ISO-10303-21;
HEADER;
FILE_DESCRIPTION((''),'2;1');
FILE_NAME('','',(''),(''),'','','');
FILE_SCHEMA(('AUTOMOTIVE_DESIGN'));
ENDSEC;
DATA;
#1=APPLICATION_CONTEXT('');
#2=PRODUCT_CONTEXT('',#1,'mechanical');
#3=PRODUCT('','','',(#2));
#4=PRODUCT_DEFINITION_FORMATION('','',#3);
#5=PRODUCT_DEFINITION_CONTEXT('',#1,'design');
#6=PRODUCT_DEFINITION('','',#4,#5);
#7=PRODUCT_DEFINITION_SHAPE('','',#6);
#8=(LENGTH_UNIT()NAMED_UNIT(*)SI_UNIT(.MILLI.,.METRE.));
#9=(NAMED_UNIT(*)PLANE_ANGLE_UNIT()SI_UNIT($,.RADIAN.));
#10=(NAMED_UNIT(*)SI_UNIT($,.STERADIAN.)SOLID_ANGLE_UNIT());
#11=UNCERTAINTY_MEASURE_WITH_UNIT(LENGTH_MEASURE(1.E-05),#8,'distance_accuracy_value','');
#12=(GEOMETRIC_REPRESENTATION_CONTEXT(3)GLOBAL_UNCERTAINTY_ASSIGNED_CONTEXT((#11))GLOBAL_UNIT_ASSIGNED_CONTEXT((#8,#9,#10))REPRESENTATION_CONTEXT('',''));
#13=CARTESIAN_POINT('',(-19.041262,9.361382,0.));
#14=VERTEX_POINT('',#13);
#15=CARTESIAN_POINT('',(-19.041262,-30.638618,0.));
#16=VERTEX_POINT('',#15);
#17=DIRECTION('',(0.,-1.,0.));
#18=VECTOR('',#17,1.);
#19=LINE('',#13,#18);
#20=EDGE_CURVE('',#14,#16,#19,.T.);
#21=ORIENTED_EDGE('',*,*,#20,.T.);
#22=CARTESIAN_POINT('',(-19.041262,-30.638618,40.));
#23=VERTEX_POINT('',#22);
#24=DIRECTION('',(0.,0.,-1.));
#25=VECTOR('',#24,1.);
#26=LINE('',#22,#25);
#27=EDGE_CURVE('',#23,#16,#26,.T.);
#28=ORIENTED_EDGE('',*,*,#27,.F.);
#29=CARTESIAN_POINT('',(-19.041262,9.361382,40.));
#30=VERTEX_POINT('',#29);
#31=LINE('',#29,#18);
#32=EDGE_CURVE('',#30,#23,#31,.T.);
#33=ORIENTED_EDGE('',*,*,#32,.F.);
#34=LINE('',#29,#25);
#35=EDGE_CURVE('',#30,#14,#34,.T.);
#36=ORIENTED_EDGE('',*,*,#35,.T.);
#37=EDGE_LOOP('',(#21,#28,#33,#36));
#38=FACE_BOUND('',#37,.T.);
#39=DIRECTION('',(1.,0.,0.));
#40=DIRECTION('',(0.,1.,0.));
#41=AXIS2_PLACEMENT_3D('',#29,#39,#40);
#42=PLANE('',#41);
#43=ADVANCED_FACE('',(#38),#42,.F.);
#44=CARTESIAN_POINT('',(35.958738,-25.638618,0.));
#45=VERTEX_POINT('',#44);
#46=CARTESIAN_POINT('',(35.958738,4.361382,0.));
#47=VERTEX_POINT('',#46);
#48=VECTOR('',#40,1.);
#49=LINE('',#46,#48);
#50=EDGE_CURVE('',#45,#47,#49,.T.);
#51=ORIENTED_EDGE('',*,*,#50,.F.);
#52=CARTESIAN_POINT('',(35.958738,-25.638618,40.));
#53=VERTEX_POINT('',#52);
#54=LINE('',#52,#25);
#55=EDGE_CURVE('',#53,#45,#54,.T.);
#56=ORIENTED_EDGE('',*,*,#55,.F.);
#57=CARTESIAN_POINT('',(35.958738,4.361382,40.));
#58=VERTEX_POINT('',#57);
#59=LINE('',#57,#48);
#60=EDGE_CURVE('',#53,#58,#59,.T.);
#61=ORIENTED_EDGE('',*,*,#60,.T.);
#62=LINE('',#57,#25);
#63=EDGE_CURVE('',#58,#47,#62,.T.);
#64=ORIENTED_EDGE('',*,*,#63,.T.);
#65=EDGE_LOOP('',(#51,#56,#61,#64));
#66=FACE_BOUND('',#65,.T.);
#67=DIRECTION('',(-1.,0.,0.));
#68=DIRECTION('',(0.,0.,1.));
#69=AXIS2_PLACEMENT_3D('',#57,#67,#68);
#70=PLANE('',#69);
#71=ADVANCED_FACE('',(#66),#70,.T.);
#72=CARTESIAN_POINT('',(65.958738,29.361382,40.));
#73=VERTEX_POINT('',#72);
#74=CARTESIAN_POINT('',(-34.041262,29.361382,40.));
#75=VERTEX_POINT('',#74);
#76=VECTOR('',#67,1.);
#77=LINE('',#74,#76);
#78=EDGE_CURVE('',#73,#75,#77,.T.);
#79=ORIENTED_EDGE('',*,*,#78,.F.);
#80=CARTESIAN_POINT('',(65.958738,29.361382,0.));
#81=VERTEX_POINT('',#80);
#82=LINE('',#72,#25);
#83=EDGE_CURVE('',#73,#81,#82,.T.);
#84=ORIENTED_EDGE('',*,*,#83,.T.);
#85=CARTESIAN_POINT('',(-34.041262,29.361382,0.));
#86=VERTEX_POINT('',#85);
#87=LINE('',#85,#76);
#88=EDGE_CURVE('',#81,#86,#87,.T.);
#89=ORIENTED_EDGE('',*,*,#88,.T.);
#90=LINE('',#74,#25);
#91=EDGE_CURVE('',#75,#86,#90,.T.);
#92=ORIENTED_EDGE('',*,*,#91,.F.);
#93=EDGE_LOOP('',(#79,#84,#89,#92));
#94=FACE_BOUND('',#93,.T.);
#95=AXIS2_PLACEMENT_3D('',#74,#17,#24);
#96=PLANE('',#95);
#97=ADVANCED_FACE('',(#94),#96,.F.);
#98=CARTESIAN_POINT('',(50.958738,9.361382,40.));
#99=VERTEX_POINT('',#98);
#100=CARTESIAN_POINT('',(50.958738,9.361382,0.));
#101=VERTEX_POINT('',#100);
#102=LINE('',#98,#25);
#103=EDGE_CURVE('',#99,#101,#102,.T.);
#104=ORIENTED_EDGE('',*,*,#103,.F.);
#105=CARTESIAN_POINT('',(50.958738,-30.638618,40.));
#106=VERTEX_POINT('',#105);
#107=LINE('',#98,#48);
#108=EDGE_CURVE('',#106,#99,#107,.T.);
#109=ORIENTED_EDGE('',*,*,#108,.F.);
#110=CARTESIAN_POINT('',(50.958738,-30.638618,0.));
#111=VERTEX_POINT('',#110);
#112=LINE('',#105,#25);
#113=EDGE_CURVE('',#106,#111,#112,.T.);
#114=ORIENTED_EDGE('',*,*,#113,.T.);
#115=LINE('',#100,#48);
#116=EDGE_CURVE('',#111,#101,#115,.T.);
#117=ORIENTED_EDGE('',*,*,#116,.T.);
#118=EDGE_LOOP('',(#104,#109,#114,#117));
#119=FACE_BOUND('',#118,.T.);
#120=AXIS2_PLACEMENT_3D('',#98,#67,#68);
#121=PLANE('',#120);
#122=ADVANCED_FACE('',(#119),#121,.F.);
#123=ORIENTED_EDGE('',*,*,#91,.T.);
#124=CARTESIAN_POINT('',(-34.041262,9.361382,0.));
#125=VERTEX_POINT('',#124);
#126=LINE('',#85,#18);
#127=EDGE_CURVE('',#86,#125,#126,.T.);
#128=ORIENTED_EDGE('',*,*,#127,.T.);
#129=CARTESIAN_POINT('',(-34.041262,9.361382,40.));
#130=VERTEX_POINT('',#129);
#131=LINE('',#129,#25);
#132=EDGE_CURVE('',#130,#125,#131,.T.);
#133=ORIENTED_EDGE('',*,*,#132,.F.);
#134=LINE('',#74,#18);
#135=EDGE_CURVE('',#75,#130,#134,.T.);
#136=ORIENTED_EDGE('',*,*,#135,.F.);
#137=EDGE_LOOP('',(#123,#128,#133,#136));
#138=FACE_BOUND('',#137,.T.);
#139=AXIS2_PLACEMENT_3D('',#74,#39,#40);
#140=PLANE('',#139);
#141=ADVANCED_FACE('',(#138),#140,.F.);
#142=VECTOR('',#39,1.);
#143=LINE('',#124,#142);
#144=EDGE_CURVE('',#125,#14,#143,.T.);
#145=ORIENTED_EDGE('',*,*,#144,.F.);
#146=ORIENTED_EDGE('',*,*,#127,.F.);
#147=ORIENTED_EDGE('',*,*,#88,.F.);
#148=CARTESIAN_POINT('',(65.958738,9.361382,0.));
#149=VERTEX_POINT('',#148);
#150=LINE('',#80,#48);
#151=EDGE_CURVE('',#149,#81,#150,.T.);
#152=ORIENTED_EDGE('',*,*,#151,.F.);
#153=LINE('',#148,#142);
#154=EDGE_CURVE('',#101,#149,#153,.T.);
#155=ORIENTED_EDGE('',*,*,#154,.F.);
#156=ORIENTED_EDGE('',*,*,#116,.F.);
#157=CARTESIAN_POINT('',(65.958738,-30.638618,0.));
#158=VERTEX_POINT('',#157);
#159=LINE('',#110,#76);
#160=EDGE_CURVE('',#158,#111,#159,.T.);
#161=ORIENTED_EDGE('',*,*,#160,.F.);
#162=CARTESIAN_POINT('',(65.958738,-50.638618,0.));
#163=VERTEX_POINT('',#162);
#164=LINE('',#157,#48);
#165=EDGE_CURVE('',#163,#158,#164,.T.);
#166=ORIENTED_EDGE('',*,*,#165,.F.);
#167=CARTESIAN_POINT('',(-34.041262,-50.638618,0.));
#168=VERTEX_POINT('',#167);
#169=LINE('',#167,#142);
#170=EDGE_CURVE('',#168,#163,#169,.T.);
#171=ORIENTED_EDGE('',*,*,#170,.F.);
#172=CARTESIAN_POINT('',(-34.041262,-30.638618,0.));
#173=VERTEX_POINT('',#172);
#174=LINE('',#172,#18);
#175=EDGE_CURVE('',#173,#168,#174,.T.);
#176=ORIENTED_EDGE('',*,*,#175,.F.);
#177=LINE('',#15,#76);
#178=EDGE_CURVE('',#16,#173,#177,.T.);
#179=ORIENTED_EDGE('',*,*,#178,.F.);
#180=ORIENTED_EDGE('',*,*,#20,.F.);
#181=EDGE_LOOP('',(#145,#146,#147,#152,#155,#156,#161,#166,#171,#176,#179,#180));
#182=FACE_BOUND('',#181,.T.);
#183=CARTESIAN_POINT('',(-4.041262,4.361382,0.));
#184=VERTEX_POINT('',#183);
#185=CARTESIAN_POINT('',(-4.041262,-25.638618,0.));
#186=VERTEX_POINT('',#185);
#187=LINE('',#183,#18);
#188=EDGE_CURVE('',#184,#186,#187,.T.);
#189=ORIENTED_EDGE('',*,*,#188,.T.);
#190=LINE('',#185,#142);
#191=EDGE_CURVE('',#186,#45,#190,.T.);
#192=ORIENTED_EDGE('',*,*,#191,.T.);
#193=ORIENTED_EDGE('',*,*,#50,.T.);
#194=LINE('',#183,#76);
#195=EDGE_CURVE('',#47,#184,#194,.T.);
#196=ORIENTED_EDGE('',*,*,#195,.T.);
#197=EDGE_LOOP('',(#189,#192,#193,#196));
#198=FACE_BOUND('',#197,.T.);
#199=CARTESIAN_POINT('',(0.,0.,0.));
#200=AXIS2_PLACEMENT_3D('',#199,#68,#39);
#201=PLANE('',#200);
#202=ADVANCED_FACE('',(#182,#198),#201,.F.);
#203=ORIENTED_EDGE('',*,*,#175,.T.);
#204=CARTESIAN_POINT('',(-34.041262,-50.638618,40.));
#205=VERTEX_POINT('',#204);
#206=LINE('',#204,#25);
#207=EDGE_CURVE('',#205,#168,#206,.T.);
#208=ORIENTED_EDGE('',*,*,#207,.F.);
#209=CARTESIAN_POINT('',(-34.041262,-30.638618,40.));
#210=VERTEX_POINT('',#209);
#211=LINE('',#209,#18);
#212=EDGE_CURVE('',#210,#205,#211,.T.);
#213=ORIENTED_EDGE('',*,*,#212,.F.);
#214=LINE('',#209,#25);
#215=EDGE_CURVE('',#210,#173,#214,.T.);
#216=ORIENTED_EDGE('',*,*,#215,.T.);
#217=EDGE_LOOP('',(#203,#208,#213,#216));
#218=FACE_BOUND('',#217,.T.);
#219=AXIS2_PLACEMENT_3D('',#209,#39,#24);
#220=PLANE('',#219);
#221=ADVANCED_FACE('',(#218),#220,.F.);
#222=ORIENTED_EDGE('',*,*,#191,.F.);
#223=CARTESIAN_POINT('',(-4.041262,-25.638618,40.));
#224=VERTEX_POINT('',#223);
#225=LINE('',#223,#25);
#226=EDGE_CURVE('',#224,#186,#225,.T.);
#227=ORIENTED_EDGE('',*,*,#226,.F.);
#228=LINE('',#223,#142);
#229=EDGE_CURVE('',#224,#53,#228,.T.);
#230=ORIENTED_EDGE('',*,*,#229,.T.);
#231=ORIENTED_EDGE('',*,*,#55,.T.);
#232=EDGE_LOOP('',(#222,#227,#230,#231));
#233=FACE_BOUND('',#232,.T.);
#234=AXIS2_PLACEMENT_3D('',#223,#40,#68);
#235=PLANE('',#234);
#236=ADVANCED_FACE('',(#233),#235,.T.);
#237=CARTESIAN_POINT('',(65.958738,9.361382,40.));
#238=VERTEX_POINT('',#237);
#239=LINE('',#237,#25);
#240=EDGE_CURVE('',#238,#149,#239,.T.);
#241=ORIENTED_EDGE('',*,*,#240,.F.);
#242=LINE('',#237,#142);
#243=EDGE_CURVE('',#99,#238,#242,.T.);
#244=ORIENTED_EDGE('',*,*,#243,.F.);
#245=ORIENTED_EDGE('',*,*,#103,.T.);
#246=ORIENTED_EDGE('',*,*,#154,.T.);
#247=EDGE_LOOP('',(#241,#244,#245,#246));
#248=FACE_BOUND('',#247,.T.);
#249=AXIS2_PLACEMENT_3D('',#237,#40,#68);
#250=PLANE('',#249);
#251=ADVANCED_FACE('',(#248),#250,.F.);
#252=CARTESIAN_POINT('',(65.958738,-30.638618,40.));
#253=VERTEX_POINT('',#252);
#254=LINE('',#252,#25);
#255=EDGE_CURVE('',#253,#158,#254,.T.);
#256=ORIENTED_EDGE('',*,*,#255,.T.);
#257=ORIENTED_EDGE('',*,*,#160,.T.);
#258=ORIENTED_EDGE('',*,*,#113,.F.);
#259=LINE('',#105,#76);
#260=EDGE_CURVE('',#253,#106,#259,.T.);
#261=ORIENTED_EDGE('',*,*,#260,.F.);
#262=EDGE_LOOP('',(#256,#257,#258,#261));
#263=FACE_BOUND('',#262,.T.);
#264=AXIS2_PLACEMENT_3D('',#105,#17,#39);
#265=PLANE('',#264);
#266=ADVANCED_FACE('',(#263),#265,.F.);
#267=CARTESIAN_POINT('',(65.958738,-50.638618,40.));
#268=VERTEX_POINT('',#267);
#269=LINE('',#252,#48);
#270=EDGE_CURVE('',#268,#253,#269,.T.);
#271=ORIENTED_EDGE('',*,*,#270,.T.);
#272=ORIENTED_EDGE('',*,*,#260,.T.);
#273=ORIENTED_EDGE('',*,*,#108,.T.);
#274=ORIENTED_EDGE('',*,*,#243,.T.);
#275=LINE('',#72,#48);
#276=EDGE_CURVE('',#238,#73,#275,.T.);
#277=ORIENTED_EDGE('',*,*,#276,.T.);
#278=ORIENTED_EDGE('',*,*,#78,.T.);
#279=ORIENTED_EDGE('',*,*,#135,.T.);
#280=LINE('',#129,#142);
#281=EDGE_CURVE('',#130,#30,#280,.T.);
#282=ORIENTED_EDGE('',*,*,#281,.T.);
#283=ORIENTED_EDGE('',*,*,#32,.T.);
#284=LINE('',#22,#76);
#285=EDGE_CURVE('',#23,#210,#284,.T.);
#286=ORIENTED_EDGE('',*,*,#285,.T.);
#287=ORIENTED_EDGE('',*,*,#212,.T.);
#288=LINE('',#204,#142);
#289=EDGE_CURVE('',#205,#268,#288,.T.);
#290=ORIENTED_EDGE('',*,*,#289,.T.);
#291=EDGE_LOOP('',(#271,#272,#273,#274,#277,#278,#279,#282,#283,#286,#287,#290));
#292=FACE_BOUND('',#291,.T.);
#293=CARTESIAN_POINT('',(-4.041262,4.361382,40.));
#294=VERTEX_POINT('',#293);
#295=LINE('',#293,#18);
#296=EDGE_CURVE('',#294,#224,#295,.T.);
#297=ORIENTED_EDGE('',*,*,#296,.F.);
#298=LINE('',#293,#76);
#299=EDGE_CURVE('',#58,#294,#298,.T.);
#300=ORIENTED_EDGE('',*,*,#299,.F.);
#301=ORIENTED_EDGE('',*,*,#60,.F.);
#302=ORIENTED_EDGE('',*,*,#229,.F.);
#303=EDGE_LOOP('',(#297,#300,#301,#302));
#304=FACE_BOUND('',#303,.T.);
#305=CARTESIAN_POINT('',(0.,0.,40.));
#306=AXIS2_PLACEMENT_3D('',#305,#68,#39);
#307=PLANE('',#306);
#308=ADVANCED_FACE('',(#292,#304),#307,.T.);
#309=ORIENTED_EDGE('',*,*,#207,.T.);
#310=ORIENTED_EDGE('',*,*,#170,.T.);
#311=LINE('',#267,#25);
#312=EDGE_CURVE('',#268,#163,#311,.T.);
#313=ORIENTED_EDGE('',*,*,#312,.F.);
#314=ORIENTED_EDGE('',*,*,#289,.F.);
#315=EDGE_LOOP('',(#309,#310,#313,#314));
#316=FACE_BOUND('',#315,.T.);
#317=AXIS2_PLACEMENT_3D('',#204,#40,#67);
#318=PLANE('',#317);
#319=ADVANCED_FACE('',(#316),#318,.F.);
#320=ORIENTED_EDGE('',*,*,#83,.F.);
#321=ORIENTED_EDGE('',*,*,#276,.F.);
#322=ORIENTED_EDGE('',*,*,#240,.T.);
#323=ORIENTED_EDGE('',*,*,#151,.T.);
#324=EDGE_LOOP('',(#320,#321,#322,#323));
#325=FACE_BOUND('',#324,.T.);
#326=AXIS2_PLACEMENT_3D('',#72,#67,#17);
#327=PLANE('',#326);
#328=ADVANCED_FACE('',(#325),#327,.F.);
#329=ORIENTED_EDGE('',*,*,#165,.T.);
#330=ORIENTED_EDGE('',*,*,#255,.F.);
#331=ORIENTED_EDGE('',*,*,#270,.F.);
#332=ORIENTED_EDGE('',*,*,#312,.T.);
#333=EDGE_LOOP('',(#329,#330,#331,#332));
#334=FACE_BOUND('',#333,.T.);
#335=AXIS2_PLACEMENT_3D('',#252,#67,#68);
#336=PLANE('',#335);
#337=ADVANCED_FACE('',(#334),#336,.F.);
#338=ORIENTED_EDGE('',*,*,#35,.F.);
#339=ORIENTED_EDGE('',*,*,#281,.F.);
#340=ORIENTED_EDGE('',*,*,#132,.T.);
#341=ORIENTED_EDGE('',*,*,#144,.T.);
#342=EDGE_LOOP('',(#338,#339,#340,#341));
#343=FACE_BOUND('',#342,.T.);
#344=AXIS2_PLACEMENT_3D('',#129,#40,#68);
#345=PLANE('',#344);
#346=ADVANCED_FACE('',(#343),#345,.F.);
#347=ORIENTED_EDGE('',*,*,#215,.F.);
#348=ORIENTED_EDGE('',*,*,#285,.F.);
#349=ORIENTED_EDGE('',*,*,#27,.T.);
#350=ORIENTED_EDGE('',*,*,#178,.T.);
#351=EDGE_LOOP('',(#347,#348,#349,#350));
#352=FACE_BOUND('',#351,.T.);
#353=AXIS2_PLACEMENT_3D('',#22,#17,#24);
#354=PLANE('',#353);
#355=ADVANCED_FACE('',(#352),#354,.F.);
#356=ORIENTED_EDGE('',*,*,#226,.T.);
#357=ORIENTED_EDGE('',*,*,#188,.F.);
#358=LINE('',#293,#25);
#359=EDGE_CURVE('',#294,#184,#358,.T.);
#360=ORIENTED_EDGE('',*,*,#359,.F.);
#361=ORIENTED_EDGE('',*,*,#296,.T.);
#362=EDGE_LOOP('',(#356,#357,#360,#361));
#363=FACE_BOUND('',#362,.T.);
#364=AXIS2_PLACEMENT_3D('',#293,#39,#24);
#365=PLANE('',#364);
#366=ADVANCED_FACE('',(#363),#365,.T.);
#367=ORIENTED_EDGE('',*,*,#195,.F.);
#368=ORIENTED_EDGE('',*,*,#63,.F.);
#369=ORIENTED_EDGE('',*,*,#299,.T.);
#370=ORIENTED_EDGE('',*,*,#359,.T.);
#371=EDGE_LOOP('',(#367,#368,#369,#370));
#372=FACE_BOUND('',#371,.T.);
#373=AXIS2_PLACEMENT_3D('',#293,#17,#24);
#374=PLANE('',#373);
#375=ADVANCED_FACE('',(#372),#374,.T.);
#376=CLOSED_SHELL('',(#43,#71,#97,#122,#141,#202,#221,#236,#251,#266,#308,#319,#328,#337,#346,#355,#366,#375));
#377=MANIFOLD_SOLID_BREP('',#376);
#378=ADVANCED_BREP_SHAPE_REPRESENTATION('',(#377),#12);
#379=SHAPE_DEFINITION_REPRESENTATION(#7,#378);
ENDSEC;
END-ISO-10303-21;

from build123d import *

# Parameters (mm, degrees)
SKETCH1_W           = 40
SKETCH1_H           = 30
BOSS_EXTRUDE1_DEPTH = 40


with BuildPart() as part:
    # Sketch1 → Boss-Extrude1 (new body)
    with BuildSketch(Plane.XY):
        Polygon((-34.041262383, 29.361382279), (65.958737617, 29.361382279), (65.958737617, 9.361382279), (50.958737617, 9.361382279), (50.958737617, -30.638617721), (65.958737617, -30.638617721), (65.958737617, -50.638617721), (-34.041262383, -50.638617721), (-34.041262383, -30.638617721), (-19.041262383, -30.638617721), (-19.041262383, 9.361382279), (-34.041262383, 9.361382279), align=None)
        with Locations((15.958737617, -10.638617721)):
            Rectangle(SKETCH1_W, SKETCH1_H, mode=Mode.SUBTRACT)
    extrude(amount=BOSS_EXTRUDE1_DEPTH)


solid = part.part
